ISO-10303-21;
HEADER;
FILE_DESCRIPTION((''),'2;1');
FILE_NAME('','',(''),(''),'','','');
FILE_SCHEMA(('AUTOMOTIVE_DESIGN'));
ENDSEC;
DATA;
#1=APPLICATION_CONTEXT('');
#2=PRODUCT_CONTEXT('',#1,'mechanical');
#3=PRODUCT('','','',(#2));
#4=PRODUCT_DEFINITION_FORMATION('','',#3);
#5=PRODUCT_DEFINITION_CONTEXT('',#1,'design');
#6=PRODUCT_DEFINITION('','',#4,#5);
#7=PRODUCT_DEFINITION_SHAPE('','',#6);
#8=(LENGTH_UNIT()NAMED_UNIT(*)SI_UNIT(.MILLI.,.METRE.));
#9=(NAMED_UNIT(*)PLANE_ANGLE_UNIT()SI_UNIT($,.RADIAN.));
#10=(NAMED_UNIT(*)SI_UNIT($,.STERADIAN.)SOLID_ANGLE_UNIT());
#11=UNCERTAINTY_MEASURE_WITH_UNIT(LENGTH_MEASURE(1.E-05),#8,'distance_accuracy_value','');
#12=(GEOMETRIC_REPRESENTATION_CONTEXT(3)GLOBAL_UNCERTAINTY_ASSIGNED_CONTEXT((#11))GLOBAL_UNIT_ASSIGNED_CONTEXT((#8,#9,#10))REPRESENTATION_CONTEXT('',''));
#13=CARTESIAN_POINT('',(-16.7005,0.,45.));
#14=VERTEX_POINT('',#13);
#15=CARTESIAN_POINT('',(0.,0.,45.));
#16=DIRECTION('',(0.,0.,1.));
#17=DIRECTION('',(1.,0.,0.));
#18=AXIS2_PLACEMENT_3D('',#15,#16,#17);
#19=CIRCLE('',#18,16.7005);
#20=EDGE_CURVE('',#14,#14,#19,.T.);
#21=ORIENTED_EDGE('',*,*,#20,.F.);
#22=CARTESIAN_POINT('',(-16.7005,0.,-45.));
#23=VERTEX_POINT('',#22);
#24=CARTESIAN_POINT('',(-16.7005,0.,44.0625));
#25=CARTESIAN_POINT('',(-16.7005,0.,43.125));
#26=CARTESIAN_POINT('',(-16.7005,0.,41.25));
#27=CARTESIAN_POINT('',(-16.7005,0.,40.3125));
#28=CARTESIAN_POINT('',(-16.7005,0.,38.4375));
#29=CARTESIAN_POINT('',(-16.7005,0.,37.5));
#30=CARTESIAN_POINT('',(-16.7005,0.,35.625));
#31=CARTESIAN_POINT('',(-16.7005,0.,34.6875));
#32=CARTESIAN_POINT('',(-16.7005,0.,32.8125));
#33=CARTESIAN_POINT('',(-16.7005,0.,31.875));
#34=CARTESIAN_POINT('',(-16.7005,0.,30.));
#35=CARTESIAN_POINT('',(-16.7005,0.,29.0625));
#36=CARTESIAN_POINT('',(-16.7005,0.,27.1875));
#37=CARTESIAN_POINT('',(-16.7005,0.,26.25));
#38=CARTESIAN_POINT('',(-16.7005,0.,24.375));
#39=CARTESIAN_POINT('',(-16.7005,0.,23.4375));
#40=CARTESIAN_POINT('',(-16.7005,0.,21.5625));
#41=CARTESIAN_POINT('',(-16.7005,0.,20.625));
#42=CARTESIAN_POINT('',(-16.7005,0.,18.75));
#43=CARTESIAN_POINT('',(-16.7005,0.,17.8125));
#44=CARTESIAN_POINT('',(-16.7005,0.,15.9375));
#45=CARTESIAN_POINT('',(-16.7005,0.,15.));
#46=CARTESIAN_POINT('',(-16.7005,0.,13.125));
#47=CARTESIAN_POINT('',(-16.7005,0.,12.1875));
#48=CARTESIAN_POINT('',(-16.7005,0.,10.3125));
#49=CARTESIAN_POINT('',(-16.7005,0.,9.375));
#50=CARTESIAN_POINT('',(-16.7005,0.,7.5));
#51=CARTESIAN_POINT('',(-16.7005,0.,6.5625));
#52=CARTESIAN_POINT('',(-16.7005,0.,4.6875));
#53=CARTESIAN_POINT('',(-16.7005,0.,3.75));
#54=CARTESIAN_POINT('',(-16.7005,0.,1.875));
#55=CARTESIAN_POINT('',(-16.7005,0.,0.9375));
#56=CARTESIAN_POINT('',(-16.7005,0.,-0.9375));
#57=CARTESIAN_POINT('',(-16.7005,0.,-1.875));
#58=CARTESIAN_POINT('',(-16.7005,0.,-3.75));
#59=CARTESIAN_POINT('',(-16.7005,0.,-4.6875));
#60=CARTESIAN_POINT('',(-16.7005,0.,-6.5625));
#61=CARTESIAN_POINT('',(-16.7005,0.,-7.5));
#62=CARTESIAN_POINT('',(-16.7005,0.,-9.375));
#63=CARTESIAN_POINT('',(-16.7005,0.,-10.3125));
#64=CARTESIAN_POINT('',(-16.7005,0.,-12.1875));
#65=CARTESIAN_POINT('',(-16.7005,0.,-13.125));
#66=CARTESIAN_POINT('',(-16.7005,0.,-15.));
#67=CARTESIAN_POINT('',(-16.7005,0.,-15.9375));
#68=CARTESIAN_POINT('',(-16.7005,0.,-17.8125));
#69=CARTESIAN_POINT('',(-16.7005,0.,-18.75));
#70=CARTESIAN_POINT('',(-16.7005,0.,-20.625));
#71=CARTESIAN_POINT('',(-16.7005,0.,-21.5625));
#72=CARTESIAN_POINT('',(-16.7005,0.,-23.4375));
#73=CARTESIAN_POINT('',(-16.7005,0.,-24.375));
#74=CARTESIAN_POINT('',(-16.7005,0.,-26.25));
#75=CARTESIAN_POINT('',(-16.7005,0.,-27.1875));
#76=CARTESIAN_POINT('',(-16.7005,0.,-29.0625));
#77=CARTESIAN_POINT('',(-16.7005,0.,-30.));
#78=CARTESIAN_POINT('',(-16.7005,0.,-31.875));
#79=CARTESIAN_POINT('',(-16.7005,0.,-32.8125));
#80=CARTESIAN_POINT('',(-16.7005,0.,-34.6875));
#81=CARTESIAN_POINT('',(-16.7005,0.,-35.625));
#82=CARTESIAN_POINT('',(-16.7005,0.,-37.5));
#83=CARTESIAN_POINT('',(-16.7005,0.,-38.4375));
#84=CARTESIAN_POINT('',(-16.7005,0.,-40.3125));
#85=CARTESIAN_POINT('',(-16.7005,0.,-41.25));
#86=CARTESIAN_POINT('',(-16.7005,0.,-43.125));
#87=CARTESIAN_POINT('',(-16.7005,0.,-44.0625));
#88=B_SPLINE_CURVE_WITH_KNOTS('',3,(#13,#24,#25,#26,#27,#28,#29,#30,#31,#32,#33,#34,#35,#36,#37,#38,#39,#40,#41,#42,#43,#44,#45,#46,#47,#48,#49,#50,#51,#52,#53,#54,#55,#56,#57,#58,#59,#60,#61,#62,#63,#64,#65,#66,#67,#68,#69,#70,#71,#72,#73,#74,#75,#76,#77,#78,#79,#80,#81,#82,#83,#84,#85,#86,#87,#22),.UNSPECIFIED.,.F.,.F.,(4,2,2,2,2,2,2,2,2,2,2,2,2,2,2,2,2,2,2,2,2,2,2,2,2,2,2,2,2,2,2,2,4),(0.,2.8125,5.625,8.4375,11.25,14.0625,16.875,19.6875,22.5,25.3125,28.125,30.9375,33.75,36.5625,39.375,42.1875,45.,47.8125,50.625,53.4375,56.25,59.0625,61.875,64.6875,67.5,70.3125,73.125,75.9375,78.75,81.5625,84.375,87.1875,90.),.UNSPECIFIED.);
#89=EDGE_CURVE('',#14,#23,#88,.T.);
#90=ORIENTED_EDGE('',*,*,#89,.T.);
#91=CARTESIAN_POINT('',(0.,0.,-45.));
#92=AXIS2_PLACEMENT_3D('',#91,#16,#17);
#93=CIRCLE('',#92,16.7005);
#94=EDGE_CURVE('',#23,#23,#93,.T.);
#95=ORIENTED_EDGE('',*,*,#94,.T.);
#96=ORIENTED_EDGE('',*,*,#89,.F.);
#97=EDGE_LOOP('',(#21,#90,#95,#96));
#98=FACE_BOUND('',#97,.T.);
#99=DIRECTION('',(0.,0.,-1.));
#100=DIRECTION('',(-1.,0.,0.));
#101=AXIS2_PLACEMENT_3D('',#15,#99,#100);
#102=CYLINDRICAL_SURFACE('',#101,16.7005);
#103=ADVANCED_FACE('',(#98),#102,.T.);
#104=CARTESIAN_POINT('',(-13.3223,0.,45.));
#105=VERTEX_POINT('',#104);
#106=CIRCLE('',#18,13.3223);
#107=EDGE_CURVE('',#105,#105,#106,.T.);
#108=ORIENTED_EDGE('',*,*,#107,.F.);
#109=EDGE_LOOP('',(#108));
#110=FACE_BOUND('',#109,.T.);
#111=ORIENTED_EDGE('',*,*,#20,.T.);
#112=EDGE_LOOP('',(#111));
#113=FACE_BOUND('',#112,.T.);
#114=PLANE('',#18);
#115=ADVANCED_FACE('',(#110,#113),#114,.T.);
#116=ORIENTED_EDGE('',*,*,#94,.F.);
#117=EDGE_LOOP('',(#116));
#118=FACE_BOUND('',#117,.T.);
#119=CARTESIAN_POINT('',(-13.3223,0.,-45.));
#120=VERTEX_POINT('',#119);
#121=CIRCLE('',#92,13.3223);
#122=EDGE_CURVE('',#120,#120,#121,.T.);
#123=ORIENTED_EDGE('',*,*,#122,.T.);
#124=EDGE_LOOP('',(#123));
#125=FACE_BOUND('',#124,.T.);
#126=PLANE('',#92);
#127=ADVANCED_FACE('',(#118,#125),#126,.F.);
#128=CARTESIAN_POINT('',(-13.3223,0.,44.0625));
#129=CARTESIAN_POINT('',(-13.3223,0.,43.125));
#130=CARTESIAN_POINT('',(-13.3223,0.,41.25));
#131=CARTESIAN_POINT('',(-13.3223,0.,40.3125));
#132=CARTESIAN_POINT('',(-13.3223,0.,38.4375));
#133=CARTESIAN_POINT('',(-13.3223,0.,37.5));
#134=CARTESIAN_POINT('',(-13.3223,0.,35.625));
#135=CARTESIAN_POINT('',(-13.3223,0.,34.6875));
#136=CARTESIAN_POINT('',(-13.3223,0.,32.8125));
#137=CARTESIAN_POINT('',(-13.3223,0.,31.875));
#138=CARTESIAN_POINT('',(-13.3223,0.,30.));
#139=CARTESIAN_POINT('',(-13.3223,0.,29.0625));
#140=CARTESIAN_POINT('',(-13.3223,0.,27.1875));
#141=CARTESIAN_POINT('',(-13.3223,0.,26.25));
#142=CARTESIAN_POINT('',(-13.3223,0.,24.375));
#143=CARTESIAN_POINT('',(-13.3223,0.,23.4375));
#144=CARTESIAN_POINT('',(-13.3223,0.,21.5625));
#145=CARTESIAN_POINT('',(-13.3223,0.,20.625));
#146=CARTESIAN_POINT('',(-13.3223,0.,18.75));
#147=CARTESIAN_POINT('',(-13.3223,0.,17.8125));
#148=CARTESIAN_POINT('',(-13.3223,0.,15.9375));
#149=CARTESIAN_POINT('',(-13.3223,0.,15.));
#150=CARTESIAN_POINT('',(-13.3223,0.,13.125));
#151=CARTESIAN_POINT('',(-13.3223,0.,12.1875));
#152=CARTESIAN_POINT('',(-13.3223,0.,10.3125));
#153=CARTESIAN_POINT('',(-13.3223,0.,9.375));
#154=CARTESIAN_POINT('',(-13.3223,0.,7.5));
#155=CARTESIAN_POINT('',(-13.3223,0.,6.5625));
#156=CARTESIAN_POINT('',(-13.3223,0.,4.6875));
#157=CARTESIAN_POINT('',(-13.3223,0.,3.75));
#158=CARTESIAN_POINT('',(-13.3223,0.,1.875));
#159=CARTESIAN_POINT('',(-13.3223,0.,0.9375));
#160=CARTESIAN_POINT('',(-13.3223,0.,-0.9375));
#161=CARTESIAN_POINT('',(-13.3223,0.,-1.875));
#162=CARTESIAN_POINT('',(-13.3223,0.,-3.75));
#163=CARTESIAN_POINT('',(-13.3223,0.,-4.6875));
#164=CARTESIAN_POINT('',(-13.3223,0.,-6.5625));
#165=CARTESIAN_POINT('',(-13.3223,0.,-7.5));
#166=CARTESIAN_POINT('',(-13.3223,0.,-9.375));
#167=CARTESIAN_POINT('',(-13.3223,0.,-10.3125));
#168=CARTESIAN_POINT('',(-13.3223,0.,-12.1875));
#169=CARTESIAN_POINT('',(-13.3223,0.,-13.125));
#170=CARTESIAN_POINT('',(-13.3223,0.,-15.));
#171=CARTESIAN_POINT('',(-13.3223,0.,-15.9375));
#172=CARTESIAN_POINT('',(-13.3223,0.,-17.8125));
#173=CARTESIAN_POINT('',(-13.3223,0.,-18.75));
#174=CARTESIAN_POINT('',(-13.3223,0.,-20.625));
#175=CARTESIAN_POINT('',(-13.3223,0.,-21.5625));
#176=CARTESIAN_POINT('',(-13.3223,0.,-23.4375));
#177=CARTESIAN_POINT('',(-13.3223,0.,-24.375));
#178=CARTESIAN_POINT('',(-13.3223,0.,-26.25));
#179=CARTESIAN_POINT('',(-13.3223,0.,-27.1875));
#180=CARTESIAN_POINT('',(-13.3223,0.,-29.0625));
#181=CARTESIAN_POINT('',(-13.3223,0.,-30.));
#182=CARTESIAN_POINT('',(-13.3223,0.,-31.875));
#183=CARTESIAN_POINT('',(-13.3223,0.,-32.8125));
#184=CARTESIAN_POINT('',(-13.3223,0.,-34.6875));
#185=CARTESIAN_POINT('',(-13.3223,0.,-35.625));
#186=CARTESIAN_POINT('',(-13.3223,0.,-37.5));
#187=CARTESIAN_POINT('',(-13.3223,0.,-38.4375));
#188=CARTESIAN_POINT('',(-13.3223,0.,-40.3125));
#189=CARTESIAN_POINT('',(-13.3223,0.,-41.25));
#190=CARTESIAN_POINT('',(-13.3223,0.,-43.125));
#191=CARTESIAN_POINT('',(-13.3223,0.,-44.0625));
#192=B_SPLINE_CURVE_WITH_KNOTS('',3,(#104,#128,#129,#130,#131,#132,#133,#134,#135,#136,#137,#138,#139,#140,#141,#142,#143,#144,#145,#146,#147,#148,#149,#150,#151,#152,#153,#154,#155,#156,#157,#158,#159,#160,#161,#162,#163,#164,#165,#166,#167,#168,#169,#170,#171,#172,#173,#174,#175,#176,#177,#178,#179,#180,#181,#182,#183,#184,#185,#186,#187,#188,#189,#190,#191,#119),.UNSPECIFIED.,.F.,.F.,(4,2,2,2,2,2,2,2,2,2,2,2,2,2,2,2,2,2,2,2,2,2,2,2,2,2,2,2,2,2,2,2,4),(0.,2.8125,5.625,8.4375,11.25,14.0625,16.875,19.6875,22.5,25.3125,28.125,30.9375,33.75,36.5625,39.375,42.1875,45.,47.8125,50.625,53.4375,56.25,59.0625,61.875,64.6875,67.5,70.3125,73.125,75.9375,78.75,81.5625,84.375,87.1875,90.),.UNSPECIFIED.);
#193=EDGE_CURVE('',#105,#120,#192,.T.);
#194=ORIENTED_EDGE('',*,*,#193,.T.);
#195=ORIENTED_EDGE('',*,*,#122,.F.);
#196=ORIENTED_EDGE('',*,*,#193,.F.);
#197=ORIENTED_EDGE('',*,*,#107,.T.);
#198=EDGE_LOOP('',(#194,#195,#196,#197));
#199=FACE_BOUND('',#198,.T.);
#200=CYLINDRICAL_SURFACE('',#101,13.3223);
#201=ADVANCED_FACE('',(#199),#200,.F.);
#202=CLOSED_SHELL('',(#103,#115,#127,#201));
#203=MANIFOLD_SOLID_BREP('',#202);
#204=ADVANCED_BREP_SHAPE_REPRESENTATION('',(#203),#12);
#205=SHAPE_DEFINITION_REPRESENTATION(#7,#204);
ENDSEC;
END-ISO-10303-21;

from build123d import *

# Parameters (mm, degrees)
SKETCH1_R           = 16.7005
SKETCH1_R_2         = 13.3223
EXTRUDE_THIN1_DEPTH = 45


with BuildPart() as part:
    # Sketch1 → Extrude-Thin1 (new, symmetric)
    with BuildSketch(Plane.XY):
        Circle(SKETCH1_R)
        Circle(SKETCH1_R_2, mode=Mode.SUBTRACT)
    extrude(amount=EXTRUDE_THIN1_DEPTH, both=True)


solid = part.part
